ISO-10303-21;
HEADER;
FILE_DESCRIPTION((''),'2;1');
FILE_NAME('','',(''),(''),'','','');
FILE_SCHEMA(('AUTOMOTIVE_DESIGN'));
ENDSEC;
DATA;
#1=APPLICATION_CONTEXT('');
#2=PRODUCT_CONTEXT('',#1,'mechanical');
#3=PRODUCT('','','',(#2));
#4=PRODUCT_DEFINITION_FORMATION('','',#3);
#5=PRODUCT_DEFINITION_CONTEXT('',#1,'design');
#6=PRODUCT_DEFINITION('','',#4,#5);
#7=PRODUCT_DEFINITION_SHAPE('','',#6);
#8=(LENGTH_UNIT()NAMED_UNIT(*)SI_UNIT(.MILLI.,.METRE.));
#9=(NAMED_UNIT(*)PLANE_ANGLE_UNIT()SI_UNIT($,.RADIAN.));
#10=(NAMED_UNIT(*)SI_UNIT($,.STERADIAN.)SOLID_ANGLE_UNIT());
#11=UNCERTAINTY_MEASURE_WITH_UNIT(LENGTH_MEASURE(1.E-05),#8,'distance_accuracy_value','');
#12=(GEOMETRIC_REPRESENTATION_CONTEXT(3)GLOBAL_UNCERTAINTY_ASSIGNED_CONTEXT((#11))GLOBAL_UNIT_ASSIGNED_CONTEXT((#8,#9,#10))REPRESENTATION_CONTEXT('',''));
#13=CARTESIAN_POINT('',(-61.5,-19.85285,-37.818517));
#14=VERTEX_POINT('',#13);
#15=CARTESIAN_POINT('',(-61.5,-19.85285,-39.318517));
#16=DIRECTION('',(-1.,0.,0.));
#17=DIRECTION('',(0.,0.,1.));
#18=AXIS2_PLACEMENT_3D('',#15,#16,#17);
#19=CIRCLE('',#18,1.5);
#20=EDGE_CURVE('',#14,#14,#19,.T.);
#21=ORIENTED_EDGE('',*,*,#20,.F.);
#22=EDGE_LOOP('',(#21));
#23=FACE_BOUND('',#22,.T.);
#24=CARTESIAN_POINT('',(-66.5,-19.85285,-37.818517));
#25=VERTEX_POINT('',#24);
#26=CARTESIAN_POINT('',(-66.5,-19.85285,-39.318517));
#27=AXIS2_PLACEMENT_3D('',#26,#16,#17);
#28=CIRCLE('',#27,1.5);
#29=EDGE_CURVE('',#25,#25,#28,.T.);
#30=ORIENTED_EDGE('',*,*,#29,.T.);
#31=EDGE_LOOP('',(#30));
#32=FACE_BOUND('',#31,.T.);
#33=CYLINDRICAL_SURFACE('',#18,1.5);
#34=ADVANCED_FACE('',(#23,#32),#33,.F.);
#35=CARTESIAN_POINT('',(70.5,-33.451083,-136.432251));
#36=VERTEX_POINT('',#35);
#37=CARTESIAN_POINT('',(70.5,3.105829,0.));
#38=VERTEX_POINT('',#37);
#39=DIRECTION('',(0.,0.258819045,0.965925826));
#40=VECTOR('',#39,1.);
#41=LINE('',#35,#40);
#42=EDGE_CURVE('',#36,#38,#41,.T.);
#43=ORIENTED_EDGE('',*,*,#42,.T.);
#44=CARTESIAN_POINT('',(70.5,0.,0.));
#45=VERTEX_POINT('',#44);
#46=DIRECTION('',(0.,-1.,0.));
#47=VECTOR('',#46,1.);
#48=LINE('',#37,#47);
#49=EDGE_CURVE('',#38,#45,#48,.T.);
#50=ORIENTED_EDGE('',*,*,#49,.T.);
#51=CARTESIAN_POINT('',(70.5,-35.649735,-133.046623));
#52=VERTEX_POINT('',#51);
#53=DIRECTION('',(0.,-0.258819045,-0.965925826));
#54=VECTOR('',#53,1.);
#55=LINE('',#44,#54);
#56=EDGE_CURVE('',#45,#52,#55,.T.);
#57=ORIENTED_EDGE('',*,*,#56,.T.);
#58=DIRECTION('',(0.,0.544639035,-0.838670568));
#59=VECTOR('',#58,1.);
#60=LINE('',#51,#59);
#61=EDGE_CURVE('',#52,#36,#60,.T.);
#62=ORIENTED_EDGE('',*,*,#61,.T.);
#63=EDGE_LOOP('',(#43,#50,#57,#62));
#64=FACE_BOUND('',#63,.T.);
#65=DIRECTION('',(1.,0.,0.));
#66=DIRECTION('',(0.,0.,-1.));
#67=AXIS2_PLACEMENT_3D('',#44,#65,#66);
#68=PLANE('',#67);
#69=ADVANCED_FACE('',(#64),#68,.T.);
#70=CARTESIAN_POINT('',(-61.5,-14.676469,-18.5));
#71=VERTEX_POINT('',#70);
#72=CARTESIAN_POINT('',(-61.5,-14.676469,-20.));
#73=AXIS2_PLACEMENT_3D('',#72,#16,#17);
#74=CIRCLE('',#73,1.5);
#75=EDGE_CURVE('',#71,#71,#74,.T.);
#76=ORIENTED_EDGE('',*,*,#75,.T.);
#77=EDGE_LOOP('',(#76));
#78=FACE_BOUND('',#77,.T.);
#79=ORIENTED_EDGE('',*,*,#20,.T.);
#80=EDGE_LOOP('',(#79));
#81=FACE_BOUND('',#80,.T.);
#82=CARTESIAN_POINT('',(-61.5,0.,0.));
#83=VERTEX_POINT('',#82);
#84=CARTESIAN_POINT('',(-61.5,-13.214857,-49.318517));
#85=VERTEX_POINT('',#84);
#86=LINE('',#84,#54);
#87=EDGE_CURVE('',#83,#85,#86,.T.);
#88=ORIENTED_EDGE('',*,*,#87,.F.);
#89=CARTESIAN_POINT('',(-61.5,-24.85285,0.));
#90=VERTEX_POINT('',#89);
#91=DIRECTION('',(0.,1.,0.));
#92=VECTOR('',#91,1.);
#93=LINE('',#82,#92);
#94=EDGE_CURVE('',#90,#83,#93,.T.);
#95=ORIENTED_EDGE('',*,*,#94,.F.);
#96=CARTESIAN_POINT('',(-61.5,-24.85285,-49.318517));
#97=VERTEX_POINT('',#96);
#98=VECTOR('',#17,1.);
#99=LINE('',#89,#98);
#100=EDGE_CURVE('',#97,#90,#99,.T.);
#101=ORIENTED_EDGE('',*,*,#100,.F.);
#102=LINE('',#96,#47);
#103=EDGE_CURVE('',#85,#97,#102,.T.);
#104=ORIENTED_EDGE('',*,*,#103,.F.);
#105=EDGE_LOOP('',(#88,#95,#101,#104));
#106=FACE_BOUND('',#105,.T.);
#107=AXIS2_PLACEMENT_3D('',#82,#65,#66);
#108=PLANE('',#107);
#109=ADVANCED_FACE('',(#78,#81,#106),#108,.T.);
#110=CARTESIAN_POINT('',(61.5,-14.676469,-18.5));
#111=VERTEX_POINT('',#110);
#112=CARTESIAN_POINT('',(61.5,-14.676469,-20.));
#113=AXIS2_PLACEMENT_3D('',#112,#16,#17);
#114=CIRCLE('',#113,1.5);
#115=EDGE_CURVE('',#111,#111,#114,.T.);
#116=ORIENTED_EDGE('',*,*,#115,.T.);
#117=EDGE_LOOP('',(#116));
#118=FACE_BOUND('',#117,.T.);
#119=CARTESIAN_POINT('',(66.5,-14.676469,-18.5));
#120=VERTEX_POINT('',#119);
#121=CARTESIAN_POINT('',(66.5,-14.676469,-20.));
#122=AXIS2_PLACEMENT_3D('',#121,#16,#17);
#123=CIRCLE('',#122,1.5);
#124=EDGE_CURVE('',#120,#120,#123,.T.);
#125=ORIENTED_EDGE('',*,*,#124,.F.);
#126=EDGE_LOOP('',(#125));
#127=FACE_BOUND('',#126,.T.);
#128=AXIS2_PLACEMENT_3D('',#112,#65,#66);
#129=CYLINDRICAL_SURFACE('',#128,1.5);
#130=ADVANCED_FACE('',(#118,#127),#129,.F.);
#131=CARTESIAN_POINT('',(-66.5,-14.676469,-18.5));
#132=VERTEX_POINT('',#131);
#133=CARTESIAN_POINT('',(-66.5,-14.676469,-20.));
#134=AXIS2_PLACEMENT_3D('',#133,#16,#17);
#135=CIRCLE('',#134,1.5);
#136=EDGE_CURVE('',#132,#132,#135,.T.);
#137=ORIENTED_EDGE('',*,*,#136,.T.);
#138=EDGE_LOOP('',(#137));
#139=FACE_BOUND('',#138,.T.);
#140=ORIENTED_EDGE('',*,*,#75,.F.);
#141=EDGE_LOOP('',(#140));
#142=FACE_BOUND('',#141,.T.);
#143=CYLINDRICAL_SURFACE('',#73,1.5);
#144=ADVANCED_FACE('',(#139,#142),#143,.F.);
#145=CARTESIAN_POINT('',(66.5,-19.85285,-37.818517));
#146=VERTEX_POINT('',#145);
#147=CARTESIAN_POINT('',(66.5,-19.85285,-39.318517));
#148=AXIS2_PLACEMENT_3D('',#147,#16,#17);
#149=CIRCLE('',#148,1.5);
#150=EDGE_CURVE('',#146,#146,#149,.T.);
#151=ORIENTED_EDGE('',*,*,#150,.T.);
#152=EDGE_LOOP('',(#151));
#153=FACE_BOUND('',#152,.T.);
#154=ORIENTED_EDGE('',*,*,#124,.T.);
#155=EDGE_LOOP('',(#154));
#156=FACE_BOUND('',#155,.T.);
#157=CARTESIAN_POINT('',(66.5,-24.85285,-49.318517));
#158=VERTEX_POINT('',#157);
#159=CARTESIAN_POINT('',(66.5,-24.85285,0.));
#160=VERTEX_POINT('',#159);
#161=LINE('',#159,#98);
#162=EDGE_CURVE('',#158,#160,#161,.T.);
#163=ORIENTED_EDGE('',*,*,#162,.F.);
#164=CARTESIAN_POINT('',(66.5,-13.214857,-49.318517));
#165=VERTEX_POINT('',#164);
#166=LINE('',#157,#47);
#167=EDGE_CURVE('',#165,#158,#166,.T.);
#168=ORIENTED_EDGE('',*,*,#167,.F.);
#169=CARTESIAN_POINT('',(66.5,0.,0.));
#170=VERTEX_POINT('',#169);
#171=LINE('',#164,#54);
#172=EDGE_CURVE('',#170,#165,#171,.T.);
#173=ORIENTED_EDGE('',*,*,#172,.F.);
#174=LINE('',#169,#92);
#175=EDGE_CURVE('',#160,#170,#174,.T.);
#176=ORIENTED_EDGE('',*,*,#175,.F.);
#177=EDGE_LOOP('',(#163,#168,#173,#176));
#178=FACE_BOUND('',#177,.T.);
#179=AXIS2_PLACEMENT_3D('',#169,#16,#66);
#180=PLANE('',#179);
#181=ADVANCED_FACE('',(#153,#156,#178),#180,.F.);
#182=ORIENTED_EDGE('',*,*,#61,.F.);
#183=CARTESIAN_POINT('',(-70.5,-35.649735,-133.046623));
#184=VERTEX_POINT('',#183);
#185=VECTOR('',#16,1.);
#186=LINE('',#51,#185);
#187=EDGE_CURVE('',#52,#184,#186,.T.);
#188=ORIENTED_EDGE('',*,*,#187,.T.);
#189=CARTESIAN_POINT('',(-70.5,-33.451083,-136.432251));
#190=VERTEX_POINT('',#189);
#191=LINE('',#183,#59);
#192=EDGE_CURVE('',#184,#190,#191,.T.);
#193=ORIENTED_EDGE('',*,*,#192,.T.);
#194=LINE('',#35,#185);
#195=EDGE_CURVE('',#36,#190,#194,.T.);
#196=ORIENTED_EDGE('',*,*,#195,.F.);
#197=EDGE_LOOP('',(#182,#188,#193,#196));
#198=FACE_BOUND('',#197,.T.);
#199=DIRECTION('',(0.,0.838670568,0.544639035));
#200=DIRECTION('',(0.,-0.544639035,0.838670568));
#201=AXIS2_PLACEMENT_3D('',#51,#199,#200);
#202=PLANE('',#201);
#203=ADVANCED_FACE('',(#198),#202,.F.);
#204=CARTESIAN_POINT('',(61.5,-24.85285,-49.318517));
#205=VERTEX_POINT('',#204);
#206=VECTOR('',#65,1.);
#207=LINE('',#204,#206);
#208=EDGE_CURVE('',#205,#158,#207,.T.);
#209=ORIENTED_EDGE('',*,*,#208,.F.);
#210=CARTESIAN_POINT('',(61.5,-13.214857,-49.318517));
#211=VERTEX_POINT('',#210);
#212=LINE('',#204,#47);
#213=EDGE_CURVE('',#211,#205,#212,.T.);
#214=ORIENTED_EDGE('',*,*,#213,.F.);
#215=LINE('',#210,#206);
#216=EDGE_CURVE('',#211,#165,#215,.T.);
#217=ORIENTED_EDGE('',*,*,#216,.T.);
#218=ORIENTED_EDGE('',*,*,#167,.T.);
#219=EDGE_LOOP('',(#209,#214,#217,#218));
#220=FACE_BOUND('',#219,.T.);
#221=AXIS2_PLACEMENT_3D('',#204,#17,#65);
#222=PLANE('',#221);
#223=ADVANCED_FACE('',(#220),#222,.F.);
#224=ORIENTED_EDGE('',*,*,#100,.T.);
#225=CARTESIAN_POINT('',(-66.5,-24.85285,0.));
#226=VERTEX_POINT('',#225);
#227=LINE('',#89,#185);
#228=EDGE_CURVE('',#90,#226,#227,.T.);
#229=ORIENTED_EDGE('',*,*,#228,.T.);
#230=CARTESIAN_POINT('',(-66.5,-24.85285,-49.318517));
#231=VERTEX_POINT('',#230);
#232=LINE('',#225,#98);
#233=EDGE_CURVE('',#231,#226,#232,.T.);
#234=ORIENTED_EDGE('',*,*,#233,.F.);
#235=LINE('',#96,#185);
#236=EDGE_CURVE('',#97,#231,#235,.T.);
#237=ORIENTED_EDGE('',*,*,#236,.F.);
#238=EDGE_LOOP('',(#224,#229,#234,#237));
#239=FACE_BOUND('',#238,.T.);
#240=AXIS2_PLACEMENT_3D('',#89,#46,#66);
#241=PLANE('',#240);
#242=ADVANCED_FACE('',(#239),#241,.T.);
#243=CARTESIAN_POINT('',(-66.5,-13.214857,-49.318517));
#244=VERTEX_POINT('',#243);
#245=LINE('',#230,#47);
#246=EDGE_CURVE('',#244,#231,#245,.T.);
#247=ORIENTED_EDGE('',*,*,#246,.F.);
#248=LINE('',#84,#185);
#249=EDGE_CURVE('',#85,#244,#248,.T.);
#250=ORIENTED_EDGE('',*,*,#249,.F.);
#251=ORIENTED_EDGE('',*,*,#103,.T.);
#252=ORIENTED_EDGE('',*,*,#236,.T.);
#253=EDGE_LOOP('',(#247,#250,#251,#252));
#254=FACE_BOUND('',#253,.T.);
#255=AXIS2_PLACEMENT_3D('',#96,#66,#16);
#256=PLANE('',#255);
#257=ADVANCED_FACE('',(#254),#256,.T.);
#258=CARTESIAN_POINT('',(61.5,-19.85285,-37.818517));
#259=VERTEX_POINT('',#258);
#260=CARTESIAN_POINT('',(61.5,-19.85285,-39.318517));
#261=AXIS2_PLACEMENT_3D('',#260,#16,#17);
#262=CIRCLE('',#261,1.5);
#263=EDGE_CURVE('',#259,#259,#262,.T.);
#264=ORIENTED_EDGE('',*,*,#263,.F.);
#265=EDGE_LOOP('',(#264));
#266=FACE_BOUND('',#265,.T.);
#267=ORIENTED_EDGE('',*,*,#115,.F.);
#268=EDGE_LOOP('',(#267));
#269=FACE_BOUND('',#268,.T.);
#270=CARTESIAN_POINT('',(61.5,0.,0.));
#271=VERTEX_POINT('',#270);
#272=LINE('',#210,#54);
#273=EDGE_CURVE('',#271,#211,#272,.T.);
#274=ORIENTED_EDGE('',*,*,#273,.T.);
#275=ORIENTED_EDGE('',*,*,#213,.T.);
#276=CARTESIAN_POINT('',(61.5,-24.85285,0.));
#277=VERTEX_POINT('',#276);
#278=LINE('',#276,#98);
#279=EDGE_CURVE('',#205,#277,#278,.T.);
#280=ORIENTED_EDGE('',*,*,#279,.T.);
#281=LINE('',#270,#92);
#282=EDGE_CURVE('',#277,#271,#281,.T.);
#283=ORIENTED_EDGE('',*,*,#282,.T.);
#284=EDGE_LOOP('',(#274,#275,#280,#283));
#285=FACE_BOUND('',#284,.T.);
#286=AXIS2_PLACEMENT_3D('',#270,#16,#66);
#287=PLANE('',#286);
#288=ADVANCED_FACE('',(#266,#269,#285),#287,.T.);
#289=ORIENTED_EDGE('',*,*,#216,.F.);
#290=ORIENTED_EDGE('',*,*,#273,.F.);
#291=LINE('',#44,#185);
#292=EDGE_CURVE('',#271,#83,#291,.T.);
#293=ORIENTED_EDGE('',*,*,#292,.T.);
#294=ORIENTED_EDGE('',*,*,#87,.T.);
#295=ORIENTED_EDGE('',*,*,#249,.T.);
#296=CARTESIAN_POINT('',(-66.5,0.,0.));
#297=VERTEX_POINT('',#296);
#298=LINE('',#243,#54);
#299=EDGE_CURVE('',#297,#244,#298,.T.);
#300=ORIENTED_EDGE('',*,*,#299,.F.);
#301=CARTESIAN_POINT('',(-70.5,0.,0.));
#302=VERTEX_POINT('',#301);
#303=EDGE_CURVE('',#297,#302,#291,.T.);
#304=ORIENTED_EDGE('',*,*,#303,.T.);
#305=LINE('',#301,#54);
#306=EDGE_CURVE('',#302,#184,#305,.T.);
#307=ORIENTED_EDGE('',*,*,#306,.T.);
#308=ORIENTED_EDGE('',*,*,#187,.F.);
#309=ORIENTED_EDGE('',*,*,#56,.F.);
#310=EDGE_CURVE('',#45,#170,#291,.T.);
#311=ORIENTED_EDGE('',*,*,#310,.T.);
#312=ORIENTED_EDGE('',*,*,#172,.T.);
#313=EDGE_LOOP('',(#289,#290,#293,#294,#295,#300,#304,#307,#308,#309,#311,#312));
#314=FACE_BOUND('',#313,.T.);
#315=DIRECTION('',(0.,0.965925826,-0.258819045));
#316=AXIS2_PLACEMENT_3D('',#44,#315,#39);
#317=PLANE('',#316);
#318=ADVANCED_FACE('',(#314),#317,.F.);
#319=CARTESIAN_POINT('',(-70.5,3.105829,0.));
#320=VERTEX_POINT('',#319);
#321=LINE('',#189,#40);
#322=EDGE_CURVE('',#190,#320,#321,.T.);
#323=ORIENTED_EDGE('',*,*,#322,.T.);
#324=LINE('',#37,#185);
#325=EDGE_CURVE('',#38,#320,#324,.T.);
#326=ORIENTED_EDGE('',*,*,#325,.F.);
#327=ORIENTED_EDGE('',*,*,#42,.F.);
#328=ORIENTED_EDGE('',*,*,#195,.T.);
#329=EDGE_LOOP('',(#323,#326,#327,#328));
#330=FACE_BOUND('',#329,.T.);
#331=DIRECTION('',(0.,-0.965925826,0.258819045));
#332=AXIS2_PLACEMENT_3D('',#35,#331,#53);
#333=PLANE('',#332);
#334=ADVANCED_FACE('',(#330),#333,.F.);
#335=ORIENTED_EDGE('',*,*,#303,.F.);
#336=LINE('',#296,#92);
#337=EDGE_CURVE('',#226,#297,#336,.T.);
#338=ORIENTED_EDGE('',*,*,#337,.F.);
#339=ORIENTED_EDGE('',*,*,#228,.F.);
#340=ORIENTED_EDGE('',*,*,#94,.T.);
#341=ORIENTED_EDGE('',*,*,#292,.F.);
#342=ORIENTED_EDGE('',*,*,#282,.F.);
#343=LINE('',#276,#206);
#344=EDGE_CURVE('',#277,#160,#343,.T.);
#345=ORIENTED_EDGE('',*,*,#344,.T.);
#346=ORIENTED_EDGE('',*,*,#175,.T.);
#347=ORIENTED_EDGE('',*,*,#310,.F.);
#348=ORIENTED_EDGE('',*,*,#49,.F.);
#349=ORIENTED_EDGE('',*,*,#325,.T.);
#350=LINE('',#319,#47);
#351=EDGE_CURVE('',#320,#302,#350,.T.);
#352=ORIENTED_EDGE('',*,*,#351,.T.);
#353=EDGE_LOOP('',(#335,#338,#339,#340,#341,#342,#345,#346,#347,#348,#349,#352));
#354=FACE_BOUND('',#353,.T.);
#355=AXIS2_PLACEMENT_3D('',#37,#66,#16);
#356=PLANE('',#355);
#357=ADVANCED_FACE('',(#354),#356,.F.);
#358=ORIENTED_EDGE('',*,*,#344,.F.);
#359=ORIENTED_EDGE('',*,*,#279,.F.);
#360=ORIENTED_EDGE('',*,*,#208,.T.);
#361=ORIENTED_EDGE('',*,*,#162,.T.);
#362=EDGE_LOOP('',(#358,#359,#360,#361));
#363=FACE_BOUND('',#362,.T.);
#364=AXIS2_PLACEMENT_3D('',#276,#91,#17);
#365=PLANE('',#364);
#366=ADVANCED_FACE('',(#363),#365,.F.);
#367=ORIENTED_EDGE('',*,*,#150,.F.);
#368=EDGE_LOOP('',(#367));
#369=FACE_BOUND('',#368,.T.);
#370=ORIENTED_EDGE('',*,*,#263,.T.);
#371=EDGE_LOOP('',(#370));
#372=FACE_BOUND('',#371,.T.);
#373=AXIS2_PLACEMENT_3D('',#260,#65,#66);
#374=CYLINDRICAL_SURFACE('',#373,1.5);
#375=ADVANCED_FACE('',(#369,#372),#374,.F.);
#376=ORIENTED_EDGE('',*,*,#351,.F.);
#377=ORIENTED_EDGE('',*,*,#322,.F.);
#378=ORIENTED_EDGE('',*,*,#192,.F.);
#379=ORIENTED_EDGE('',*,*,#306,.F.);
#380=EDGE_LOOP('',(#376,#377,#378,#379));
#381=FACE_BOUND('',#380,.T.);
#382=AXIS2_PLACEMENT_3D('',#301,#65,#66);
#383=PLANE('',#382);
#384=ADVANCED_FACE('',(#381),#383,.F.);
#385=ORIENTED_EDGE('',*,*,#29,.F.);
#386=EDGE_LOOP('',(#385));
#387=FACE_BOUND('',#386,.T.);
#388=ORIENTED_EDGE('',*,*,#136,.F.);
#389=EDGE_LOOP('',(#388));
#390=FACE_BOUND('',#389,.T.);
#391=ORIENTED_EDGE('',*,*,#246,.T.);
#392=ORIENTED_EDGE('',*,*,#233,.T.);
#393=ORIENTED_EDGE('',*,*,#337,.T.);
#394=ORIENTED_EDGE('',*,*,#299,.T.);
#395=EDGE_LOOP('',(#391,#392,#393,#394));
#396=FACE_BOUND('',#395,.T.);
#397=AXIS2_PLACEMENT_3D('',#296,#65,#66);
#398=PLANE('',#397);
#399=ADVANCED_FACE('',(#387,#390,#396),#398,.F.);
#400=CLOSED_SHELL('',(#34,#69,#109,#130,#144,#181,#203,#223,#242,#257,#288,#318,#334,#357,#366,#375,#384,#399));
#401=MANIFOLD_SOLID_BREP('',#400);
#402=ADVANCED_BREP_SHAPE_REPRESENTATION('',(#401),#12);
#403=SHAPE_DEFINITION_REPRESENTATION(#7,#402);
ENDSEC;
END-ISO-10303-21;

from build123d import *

# Parameters (mm, degrees)
BOSS_EXTRUDE1_DEPTH = 70.5
SKETCH2_R           = 1.5
BOSS_EXTRUDE2_DEPTH = 5


with BuildPart() as part:
    # Sketch1 → Boss-Extrude1 (new, symmetric)
    with BuildSketch(Plane(origin=(0, 0, 0), x_dir=(0, 0, -1), z_dir=(1, 0, 0))):
        Polygon((0, 0), (133.046623313, -35.649735272), (136.43225101, -33.451082938), (0, 3.105828541), align=None)
    extrude(amount=BOSS_EXTRUDE1_DEPTH, both=True)

    # Sketch2 → Boss-Extrude2 (add)
    with BuildSketch(Plane.ZY.offset(66.5)):
        Polygon((0, 0), (0, -24.852850374), (-49.318516526, -24.852850374), (-49.318516526, -13.214856675), align=None)
        with Locations((-20, -14.676469472)):
            Circle(SKETCH2_R, mode=Mode.SUBTRACT)
        with Locations((-39.318516526, -19.852850374)):
            Circle(SKETCH2_R, mode=Mode.SUBTRACT)
    boss_extrude2 = extrude(amount=-BOSS_EXTRUDE2_DEPTH)

    # Mirror1: Boss-Extrude2 across plane
    add(boss_extrude2.mirror(Plane(origin=(0, 0, 0), x_dir=(0, 0, 1), z_dir=(1, 0, 0))))


solid = part.part
